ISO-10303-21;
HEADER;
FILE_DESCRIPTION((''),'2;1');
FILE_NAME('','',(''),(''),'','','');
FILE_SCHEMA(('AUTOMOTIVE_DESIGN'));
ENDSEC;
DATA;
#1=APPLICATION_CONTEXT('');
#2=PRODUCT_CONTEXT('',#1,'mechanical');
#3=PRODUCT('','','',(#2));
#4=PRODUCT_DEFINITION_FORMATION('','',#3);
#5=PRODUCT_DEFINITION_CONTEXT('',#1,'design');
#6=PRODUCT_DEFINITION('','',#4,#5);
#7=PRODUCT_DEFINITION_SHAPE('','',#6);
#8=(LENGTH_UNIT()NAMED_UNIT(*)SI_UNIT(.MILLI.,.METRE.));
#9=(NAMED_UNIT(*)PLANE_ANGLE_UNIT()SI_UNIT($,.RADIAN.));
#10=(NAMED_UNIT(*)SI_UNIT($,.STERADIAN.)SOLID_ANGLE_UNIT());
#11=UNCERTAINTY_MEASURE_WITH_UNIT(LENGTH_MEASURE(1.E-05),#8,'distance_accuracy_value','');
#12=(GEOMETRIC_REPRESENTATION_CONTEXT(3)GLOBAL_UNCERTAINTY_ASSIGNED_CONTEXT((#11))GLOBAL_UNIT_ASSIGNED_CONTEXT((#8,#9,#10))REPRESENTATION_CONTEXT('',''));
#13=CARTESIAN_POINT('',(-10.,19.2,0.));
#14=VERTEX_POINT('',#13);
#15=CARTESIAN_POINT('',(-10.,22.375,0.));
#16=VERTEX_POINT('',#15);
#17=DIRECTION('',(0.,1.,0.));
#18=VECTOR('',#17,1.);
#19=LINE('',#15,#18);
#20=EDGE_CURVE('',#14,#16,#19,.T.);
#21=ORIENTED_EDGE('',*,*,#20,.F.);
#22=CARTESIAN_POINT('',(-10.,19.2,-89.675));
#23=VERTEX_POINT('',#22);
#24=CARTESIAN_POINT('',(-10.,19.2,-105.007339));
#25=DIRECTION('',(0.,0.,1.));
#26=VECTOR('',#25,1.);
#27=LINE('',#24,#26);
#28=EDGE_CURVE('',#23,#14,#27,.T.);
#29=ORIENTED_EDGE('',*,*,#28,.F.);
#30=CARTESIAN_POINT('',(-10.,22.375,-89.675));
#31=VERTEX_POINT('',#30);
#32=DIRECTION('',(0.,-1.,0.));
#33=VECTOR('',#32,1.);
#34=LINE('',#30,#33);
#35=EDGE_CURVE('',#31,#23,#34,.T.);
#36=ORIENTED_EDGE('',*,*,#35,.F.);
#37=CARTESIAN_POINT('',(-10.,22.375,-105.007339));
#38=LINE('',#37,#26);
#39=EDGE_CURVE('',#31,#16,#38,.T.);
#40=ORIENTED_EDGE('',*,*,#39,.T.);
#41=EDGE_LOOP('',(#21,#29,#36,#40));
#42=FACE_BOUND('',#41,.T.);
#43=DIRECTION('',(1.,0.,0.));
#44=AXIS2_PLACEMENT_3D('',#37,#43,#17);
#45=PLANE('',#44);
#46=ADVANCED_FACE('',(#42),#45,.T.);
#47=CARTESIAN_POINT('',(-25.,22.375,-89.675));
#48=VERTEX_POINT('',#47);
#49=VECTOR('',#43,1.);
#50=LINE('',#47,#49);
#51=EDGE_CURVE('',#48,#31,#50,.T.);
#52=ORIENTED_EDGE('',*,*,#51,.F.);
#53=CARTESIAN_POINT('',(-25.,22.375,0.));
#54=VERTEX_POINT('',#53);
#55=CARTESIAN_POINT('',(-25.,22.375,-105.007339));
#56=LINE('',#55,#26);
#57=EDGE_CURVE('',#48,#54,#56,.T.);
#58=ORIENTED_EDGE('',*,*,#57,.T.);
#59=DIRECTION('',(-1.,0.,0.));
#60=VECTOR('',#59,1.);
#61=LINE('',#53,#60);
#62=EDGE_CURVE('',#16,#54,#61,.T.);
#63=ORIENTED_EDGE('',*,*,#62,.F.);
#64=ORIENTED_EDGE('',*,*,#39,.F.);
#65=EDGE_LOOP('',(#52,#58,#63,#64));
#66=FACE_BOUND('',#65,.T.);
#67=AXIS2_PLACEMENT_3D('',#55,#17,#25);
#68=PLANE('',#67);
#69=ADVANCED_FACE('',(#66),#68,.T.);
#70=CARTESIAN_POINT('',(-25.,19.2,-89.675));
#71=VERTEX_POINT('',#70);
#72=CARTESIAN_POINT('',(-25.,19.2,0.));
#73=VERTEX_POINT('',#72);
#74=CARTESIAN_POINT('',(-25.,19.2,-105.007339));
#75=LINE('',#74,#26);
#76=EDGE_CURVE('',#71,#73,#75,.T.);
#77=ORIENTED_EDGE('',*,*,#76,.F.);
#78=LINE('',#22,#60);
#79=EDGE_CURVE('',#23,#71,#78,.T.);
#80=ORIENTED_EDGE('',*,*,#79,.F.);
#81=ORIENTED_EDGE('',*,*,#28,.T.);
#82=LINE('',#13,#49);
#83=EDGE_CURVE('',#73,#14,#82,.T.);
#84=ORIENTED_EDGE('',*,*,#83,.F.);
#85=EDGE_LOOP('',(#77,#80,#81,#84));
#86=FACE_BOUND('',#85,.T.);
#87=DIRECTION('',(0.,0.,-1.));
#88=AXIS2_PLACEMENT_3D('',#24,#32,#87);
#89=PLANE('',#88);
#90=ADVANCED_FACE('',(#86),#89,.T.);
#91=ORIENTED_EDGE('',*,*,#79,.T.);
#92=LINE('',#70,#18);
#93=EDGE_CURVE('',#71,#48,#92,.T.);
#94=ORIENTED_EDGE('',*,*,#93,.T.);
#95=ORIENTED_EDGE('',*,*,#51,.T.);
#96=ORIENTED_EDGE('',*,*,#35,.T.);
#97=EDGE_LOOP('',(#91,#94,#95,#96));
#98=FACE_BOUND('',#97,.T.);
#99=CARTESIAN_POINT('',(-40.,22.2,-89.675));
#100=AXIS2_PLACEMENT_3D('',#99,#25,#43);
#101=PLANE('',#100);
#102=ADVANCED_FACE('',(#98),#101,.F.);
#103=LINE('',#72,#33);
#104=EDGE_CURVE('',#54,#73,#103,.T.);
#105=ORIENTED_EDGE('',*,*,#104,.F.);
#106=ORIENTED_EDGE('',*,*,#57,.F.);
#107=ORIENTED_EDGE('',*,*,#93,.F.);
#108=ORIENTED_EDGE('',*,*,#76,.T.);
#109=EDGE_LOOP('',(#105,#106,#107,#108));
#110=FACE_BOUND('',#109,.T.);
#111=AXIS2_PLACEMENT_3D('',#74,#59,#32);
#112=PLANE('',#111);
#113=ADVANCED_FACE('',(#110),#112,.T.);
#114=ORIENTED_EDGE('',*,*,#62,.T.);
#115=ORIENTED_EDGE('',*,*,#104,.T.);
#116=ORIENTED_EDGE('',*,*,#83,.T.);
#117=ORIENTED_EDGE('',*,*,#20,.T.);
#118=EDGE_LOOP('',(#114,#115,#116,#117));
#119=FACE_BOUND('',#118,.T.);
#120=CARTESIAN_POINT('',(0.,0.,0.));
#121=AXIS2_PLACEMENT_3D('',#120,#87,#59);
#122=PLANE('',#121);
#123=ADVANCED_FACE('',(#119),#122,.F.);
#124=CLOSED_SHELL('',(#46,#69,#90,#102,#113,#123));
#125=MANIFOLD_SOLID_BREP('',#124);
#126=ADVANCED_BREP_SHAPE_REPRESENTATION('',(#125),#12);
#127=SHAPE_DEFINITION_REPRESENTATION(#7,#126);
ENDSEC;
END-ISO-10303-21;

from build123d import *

# Parameters (mm, degrees)
SKETCH1_W           = 15
SKETCH1_H           = 3.175
BOSS_EXTRUDE1_DEPTH = 89.675


with BuildPart() as part:
    # Sketch1 → Boss-Extrude1 (new body)
    with BuildSketch(Plane.XY):
        with Locations((-17.5, 20.7875)):
            Rectangle(SKETCH1_W, SKETCH1_H)
    extrude(amount=-BOSS_EXTRUDE1_DEPTH)


solid = part.part
